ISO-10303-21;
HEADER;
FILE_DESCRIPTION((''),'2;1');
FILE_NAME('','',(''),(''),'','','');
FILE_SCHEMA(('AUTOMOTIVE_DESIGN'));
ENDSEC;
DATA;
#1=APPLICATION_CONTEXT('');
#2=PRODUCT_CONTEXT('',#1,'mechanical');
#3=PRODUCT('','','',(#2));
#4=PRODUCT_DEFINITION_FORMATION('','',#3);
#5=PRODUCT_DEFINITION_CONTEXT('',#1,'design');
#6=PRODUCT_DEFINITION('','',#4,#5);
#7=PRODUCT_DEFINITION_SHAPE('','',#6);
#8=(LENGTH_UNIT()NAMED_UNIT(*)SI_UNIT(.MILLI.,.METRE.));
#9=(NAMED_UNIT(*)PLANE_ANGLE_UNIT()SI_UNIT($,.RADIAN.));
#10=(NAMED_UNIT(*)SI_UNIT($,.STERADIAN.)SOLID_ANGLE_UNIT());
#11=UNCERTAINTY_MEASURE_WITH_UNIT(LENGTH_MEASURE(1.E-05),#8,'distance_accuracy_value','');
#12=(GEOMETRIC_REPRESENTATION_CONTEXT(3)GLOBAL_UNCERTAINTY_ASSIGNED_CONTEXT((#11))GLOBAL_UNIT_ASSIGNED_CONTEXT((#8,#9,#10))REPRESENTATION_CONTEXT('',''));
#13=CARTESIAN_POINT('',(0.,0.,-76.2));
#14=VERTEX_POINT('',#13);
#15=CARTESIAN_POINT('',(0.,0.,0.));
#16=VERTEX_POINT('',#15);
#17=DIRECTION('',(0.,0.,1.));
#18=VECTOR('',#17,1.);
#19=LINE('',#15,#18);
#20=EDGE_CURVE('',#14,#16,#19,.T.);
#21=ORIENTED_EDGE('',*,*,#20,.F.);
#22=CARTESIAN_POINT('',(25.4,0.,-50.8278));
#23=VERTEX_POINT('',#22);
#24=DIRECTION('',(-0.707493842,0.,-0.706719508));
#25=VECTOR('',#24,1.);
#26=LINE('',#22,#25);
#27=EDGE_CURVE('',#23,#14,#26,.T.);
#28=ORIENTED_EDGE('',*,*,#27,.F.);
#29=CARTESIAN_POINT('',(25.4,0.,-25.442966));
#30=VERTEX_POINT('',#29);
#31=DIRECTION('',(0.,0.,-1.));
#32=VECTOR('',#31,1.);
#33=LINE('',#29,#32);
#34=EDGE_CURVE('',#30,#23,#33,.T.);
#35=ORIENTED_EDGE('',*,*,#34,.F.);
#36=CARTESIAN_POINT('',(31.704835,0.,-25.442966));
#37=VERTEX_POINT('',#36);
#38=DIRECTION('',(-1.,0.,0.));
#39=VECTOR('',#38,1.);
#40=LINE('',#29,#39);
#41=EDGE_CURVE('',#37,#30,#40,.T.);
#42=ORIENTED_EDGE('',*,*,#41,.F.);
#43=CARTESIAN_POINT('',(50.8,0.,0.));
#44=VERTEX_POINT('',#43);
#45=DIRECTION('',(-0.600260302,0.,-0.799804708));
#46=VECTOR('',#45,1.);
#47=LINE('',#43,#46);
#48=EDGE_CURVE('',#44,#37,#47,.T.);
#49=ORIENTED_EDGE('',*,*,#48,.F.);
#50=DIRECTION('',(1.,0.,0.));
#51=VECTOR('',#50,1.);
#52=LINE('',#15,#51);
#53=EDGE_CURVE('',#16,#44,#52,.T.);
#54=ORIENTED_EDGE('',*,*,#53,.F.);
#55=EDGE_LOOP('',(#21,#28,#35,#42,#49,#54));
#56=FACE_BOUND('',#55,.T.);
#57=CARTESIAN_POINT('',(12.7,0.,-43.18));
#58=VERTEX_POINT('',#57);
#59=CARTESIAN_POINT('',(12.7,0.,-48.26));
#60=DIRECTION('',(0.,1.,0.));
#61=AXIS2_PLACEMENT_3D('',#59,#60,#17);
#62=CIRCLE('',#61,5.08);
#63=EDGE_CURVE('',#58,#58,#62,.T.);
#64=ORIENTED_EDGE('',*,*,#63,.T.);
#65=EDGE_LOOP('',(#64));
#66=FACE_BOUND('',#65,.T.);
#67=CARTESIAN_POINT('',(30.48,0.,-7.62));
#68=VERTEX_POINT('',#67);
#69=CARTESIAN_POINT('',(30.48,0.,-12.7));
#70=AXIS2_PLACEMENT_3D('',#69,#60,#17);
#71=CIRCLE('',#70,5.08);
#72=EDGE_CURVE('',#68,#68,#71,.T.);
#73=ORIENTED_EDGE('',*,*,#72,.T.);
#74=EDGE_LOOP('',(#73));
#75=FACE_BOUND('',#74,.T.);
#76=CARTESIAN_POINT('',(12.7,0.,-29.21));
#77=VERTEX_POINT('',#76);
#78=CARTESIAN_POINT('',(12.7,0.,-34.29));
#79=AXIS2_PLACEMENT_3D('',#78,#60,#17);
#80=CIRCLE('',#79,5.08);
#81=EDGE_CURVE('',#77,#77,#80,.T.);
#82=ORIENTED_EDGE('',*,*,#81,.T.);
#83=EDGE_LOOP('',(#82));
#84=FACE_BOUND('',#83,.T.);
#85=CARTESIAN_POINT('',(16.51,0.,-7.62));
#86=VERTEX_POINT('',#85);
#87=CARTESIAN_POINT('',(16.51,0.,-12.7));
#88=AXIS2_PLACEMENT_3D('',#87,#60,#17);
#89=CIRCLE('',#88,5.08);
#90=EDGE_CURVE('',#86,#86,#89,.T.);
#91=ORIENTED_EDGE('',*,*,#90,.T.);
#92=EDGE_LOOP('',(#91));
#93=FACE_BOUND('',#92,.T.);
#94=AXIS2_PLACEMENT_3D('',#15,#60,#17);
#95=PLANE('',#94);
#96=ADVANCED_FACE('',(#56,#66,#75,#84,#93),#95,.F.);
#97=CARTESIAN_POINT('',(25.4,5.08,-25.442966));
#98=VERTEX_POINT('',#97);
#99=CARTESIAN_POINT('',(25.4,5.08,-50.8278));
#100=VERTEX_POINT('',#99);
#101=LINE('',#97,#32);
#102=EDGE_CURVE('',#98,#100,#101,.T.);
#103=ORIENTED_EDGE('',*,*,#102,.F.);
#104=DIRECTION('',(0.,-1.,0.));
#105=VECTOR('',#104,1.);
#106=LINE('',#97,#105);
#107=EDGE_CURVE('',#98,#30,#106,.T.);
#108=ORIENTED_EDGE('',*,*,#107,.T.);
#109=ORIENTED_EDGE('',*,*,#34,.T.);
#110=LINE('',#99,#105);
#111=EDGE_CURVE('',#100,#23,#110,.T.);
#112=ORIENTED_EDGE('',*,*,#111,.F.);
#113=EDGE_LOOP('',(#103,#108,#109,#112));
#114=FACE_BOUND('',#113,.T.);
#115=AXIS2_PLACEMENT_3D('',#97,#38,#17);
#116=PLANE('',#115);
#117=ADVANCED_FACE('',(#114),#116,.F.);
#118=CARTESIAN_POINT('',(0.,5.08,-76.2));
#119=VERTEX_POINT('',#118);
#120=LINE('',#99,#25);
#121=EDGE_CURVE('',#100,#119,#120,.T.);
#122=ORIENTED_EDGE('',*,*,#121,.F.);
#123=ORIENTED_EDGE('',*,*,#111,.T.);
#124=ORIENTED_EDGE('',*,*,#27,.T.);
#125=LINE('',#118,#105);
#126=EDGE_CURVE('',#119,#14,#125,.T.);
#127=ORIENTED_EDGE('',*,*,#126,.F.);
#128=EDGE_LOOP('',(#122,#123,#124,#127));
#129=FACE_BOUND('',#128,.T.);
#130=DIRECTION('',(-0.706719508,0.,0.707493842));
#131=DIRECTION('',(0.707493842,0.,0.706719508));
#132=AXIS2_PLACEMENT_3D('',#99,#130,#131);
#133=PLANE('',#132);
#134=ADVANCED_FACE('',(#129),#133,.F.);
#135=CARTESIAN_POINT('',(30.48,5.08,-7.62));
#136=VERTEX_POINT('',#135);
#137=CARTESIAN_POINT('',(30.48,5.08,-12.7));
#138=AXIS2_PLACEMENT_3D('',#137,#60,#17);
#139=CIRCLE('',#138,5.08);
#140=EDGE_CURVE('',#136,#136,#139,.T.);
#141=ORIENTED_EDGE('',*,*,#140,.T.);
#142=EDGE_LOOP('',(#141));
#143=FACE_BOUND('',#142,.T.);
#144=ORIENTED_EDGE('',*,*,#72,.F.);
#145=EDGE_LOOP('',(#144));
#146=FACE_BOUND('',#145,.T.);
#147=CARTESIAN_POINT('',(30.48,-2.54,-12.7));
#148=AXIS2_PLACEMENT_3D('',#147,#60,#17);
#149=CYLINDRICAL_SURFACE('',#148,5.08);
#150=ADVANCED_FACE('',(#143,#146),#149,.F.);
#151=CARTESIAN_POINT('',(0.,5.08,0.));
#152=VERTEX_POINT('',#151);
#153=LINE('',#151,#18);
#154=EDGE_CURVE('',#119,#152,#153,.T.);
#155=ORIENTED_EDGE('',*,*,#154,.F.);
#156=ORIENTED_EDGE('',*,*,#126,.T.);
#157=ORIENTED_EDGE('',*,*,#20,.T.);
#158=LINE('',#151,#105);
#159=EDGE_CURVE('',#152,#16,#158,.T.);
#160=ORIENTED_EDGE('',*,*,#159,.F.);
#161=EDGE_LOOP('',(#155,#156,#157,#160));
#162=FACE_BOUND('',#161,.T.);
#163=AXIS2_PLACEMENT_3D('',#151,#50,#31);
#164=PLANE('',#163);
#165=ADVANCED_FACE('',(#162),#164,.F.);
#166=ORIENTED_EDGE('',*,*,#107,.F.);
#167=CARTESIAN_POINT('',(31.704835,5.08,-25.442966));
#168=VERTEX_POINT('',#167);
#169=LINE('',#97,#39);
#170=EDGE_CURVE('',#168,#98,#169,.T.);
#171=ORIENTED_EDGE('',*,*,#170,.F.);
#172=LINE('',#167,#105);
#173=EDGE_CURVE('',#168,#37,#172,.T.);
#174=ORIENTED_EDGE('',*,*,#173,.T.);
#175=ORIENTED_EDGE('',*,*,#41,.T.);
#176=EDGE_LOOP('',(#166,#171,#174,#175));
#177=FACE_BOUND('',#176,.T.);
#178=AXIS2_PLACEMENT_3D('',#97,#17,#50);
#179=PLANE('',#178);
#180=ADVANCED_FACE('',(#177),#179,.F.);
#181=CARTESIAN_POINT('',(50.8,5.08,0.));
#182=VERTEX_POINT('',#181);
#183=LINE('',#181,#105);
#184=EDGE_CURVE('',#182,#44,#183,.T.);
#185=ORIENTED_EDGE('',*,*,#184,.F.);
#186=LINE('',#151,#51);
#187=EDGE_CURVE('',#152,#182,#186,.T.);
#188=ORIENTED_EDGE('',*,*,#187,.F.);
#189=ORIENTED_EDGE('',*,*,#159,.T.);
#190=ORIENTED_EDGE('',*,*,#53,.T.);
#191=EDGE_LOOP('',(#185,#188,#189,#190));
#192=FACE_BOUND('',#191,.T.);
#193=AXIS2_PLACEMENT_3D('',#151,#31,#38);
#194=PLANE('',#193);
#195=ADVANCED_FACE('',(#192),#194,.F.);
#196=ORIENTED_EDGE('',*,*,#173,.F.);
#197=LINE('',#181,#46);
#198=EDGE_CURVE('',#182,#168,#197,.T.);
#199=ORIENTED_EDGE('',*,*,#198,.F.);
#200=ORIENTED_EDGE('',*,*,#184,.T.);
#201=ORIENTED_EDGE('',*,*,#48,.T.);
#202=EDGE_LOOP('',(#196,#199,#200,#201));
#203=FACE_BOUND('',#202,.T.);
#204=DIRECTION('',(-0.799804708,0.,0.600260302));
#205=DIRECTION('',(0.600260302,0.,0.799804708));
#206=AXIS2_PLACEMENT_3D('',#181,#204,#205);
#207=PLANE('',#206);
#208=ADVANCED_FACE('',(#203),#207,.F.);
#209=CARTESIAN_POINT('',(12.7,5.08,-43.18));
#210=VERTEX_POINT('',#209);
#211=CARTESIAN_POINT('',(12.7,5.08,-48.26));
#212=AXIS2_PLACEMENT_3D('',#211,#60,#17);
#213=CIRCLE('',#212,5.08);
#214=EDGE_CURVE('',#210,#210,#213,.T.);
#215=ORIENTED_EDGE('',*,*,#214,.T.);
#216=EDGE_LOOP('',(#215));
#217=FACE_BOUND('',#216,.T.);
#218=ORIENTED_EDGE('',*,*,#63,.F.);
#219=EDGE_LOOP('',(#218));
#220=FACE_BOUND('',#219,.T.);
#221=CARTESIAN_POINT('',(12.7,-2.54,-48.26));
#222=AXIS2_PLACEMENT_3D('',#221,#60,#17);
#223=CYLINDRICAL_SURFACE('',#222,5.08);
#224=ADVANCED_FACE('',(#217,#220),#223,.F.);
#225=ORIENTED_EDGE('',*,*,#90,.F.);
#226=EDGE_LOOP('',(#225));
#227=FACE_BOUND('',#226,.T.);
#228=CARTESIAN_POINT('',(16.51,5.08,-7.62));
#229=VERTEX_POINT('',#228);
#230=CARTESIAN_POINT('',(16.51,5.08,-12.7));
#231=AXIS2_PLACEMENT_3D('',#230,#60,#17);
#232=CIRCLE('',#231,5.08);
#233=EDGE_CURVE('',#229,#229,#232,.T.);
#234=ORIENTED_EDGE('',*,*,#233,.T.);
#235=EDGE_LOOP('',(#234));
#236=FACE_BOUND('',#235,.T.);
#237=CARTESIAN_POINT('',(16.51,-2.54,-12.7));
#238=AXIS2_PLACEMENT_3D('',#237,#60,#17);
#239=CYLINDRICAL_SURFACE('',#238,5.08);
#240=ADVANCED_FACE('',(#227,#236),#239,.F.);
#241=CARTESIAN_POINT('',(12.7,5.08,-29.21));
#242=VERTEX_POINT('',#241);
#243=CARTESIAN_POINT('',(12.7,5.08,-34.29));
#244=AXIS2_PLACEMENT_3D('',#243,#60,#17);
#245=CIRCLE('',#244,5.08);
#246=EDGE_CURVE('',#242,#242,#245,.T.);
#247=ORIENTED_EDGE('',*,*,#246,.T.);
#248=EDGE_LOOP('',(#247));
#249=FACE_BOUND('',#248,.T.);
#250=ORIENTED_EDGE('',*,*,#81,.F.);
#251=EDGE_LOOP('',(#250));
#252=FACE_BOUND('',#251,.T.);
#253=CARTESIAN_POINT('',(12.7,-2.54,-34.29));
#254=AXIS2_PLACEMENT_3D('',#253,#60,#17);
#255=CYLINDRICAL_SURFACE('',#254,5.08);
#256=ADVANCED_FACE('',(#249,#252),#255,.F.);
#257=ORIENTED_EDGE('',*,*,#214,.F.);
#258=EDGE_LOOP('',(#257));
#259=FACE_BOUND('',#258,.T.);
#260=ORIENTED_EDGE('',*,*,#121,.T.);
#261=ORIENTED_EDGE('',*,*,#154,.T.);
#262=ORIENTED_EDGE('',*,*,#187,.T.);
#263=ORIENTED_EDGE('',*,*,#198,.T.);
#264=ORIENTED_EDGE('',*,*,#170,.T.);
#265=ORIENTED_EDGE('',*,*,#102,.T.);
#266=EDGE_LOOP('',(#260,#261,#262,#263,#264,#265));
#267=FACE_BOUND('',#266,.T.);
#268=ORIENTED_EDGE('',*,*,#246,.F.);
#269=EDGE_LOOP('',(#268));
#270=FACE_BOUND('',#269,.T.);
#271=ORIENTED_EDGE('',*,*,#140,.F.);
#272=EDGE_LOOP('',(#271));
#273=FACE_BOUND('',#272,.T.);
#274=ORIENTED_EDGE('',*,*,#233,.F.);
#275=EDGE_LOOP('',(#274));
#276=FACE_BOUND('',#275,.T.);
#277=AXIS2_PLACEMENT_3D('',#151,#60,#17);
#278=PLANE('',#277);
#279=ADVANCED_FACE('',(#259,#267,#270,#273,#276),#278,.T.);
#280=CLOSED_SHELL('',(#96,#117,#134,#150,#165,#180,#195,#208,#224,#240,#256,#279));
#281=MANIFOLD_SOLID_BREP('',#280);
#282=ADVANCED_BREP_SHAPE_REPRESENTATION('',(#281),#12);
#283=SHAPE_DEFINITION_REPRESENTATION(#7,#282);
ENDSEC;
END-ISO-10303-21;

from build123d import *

# Parameters (mm, degrees)
BOSS_EXTRUDE1_DEPTH = 5.08
SKETCH2_R           = 5.08
CUT_EXTRUDE1_DEPTH  = 7.62


with BuildPart() as part:
    # Sketch1 → Boss-Extrude1 (new body)
    with BuildSketch(Plane(origin=(0, 0, 0), x_dir=(1, 0, 0), z_dir=(0, 1, 0))):
        Polygon((0, 0), (0, 76.2), (25.4, 50.827799649), (25.4, 25.442966498), (31.70483515, 25.442966498), (50.8, 0), align=None)
    extrude(amount=BOSS_EXTRUDE1_DEPTH)

    # Sketch2 → Cut-Extrude1 (cut)
    with BuildSketch(Plane(origin=(0, 5.08, 0), x_dir=(1, 0, 0), z_dir=(0, 1, 0))):
        with Locations(Location((12.7, 34.29, 0), (0, 0, 270))):
            Circle(SKETCH2_R)
        with Locations(Location((12.7, 48.26, 0), (0, 0, 270))):
            Circle(SKETCH2_R)
        with Locations(Location((16.51, 12.7, 0), (0, 0, 270))):
            Circle(SKETCH2_R)
        with Locations(Location((30.48, 12.7, 0), (0, 0, 270))):
            Circle(SKETCH2_R)
    extrude(amount=-CUT_EXTRUDE1_DEPTH, mode=Mode.SUBTRACT)


solid = part.part
